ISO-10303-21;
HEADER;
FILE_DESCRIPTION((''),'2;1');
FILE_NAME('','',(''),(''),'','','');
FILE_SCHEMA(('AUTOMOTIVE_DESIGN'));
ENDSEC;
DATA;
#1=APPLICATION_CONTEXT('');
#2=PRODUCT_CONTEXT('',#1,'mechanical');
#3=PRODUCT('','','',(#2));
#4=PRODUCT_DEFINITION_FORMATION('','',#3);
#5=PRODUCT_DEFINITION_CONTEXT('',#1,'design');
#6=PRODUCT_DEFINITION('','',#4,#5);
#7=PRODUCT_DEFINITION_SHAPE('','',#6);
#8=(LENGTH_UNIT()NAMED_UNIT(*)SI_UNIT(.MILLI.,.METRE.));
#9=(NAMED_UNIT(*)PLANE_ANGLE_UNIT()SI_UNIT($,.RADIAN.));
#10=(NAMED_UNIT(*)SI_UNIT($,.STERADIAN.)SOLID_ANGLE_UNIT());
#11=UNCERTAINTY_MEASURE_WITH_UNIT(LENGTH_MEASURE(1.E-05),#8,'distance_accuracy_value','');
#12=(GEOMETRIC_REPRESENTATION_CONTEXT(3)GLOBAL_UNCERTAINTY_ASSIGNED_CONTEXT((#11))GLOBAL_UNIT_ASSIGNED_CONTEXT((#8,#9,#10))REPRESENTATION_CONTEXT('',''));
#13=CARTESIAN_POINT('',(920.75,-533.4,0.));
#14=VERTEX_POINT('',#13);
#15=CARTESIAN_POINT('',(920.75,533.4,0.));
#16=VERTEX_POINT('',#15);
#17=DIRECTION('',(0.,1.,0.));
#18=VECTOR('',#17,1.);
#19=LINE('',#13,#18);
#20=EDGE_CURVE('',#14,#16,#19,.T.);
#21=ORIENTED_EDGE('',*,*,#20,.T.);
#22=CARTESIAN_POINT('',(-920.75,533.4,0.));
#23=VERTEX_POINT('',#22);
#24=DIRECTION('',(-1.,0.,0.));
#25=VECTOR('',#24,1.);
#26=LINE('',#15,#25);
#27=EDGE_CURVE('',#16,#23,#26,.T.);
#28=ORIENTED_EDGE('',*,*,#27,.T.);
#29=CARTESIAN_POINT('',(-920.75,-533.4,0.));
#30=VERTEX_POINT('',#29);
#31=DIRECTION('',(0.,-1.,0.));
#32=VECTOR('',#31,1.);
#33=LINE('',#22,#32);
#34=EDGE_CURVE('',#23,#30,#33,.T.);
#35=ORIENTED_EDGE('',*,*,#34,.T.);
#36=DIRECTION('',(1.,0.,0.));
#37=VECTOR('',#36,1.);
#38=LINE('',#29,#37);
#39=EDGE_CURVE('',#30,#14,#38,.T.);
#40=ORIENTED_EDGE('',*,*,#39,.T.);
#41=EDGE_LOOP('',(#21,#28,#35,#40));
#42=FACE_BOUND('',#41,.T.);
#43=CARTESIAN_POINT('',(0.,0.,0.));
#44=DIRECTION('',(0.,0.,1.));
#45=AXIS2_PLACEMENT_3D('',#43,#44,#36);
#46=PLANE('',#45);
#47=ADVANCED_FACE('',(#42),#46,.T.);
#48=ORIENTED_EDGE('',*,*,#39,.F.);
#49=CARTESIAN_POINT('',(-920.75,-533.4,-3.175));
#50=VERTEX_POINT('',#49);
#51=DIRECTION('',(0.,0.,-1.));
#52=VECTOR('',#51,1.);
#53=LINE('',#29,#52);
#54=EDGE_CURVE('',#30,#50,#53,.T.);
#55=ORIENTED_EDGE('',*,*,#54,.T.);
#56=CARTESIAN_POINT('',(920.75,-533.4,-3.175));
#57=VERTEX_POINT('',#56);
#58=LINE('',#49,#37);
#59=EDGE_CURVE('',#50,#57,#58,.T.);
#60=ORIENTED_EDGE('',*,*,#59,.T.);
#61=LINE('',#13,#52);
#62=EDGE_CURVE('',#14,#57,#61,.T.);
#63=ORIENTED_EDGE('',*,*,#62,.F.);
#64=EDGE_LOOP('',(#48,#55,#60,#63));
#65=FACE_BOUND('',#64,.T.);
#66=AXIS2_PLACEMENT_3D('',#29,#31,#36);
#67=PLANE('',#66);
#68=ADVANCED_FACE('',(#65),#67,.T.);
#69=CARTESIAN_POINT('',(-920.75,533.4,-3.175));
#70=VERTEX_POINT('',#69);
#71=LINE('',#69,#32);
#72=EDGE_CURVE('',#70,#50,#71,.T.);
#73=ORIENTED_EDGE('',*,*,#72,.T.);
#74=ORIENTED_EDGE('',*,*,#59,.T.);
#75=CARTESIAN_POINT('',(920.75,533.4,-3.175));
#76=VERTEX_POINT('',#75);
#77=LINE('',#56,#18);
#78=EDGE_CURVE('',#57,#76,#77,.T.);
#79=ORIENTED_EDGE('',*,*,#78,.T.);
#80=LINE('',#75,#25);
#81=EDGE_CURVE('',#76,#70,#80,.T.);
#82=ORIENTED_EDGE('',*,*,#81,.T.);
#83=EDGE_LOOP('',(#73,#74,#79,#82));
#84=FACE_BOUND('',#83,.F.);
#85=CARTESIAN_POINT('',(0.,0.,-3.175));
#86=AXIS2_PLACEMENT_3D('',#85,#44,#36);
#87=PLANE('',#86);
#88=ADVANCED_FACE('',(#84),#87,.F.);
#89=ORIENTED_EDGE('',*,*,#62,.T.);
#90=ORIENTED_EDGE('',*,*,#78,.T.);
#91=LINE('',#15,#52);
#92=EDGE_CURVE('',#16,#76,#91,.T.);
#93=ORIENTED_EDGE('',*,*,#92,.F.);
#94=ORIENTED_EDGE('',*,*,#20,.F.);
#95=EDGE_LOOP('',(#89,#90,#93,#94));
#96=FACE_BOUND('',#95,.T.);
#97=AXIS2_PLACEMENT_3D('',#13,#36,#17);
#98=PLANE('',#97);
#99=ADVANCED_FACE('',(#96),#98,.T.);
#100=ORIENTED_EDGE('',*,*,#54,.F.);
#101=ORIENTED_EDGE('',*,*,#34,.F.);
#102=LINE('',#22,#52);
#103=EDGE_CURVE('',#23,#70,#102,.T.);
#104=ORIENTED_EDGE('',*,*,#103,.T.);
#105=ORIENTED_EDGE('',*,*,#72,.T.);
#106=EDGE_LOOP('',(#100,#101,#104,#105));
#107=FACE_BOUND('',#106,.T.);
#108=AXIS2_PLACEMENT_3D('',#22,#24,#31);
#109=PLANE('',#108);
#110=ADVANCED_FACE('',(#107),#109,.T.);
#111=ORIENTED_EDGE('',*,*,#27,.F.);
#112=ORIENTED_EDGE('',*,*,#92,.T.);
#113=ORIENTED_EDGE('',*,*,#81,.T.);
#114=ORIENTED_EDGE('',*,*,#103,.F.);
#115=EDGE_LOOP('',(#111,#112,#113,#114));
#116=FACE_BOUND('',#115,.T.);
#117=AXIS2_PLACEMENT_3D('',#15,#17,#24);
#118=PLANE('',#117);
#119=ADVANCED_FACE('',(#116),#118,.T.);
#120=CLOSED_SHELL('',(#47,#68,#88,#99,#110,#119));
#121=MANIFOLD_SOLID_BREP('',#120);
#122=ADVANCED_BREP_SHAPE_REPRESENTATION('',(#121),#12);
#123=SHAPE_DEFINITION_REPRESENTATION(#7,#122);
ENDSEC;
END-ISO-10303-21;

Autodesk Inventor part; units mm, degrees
ref_plane "YZ Plane" through (0, 0, 0) normal (1, 0, 0) x (0, 1, 0)
ref_plane "XZ Plane" through (0, 0, 0) normal (0, 1, 0) x (-1, 0, 0)
ref_plane "XY Plane" through (0, 0, 0) normal (0, 0, 1) x (1, 0, 0)
sketch "Sketch1" plane through (0, 0, 0) normal (0, 0, 1) x (1, 0, 0)
  line L0 (-920.75, -533.4) -> (920.75, -533.4)
  line L1 (920.75, -533.4) -> (920.75, 533.4)
  line L2 (920.75, 533.4) -> (-920.75, 533.4)
  line L3 (-920.75, 533.4) -> (-920.75, -533.4)
  line L4 (-920.75, -533.4) -> (920.75, 533.4) construction
  line L5 (920.75, -533.4) -> (-920.75, 533.4) construction
  point P0 (0, 0)
  dimension "d0" = 1841.5
  dimension "d1" = 1066.8
extrude "Extrusion1" add sketch "Sketch1" against normal blind 3.175
properties part number "GE-13011"
